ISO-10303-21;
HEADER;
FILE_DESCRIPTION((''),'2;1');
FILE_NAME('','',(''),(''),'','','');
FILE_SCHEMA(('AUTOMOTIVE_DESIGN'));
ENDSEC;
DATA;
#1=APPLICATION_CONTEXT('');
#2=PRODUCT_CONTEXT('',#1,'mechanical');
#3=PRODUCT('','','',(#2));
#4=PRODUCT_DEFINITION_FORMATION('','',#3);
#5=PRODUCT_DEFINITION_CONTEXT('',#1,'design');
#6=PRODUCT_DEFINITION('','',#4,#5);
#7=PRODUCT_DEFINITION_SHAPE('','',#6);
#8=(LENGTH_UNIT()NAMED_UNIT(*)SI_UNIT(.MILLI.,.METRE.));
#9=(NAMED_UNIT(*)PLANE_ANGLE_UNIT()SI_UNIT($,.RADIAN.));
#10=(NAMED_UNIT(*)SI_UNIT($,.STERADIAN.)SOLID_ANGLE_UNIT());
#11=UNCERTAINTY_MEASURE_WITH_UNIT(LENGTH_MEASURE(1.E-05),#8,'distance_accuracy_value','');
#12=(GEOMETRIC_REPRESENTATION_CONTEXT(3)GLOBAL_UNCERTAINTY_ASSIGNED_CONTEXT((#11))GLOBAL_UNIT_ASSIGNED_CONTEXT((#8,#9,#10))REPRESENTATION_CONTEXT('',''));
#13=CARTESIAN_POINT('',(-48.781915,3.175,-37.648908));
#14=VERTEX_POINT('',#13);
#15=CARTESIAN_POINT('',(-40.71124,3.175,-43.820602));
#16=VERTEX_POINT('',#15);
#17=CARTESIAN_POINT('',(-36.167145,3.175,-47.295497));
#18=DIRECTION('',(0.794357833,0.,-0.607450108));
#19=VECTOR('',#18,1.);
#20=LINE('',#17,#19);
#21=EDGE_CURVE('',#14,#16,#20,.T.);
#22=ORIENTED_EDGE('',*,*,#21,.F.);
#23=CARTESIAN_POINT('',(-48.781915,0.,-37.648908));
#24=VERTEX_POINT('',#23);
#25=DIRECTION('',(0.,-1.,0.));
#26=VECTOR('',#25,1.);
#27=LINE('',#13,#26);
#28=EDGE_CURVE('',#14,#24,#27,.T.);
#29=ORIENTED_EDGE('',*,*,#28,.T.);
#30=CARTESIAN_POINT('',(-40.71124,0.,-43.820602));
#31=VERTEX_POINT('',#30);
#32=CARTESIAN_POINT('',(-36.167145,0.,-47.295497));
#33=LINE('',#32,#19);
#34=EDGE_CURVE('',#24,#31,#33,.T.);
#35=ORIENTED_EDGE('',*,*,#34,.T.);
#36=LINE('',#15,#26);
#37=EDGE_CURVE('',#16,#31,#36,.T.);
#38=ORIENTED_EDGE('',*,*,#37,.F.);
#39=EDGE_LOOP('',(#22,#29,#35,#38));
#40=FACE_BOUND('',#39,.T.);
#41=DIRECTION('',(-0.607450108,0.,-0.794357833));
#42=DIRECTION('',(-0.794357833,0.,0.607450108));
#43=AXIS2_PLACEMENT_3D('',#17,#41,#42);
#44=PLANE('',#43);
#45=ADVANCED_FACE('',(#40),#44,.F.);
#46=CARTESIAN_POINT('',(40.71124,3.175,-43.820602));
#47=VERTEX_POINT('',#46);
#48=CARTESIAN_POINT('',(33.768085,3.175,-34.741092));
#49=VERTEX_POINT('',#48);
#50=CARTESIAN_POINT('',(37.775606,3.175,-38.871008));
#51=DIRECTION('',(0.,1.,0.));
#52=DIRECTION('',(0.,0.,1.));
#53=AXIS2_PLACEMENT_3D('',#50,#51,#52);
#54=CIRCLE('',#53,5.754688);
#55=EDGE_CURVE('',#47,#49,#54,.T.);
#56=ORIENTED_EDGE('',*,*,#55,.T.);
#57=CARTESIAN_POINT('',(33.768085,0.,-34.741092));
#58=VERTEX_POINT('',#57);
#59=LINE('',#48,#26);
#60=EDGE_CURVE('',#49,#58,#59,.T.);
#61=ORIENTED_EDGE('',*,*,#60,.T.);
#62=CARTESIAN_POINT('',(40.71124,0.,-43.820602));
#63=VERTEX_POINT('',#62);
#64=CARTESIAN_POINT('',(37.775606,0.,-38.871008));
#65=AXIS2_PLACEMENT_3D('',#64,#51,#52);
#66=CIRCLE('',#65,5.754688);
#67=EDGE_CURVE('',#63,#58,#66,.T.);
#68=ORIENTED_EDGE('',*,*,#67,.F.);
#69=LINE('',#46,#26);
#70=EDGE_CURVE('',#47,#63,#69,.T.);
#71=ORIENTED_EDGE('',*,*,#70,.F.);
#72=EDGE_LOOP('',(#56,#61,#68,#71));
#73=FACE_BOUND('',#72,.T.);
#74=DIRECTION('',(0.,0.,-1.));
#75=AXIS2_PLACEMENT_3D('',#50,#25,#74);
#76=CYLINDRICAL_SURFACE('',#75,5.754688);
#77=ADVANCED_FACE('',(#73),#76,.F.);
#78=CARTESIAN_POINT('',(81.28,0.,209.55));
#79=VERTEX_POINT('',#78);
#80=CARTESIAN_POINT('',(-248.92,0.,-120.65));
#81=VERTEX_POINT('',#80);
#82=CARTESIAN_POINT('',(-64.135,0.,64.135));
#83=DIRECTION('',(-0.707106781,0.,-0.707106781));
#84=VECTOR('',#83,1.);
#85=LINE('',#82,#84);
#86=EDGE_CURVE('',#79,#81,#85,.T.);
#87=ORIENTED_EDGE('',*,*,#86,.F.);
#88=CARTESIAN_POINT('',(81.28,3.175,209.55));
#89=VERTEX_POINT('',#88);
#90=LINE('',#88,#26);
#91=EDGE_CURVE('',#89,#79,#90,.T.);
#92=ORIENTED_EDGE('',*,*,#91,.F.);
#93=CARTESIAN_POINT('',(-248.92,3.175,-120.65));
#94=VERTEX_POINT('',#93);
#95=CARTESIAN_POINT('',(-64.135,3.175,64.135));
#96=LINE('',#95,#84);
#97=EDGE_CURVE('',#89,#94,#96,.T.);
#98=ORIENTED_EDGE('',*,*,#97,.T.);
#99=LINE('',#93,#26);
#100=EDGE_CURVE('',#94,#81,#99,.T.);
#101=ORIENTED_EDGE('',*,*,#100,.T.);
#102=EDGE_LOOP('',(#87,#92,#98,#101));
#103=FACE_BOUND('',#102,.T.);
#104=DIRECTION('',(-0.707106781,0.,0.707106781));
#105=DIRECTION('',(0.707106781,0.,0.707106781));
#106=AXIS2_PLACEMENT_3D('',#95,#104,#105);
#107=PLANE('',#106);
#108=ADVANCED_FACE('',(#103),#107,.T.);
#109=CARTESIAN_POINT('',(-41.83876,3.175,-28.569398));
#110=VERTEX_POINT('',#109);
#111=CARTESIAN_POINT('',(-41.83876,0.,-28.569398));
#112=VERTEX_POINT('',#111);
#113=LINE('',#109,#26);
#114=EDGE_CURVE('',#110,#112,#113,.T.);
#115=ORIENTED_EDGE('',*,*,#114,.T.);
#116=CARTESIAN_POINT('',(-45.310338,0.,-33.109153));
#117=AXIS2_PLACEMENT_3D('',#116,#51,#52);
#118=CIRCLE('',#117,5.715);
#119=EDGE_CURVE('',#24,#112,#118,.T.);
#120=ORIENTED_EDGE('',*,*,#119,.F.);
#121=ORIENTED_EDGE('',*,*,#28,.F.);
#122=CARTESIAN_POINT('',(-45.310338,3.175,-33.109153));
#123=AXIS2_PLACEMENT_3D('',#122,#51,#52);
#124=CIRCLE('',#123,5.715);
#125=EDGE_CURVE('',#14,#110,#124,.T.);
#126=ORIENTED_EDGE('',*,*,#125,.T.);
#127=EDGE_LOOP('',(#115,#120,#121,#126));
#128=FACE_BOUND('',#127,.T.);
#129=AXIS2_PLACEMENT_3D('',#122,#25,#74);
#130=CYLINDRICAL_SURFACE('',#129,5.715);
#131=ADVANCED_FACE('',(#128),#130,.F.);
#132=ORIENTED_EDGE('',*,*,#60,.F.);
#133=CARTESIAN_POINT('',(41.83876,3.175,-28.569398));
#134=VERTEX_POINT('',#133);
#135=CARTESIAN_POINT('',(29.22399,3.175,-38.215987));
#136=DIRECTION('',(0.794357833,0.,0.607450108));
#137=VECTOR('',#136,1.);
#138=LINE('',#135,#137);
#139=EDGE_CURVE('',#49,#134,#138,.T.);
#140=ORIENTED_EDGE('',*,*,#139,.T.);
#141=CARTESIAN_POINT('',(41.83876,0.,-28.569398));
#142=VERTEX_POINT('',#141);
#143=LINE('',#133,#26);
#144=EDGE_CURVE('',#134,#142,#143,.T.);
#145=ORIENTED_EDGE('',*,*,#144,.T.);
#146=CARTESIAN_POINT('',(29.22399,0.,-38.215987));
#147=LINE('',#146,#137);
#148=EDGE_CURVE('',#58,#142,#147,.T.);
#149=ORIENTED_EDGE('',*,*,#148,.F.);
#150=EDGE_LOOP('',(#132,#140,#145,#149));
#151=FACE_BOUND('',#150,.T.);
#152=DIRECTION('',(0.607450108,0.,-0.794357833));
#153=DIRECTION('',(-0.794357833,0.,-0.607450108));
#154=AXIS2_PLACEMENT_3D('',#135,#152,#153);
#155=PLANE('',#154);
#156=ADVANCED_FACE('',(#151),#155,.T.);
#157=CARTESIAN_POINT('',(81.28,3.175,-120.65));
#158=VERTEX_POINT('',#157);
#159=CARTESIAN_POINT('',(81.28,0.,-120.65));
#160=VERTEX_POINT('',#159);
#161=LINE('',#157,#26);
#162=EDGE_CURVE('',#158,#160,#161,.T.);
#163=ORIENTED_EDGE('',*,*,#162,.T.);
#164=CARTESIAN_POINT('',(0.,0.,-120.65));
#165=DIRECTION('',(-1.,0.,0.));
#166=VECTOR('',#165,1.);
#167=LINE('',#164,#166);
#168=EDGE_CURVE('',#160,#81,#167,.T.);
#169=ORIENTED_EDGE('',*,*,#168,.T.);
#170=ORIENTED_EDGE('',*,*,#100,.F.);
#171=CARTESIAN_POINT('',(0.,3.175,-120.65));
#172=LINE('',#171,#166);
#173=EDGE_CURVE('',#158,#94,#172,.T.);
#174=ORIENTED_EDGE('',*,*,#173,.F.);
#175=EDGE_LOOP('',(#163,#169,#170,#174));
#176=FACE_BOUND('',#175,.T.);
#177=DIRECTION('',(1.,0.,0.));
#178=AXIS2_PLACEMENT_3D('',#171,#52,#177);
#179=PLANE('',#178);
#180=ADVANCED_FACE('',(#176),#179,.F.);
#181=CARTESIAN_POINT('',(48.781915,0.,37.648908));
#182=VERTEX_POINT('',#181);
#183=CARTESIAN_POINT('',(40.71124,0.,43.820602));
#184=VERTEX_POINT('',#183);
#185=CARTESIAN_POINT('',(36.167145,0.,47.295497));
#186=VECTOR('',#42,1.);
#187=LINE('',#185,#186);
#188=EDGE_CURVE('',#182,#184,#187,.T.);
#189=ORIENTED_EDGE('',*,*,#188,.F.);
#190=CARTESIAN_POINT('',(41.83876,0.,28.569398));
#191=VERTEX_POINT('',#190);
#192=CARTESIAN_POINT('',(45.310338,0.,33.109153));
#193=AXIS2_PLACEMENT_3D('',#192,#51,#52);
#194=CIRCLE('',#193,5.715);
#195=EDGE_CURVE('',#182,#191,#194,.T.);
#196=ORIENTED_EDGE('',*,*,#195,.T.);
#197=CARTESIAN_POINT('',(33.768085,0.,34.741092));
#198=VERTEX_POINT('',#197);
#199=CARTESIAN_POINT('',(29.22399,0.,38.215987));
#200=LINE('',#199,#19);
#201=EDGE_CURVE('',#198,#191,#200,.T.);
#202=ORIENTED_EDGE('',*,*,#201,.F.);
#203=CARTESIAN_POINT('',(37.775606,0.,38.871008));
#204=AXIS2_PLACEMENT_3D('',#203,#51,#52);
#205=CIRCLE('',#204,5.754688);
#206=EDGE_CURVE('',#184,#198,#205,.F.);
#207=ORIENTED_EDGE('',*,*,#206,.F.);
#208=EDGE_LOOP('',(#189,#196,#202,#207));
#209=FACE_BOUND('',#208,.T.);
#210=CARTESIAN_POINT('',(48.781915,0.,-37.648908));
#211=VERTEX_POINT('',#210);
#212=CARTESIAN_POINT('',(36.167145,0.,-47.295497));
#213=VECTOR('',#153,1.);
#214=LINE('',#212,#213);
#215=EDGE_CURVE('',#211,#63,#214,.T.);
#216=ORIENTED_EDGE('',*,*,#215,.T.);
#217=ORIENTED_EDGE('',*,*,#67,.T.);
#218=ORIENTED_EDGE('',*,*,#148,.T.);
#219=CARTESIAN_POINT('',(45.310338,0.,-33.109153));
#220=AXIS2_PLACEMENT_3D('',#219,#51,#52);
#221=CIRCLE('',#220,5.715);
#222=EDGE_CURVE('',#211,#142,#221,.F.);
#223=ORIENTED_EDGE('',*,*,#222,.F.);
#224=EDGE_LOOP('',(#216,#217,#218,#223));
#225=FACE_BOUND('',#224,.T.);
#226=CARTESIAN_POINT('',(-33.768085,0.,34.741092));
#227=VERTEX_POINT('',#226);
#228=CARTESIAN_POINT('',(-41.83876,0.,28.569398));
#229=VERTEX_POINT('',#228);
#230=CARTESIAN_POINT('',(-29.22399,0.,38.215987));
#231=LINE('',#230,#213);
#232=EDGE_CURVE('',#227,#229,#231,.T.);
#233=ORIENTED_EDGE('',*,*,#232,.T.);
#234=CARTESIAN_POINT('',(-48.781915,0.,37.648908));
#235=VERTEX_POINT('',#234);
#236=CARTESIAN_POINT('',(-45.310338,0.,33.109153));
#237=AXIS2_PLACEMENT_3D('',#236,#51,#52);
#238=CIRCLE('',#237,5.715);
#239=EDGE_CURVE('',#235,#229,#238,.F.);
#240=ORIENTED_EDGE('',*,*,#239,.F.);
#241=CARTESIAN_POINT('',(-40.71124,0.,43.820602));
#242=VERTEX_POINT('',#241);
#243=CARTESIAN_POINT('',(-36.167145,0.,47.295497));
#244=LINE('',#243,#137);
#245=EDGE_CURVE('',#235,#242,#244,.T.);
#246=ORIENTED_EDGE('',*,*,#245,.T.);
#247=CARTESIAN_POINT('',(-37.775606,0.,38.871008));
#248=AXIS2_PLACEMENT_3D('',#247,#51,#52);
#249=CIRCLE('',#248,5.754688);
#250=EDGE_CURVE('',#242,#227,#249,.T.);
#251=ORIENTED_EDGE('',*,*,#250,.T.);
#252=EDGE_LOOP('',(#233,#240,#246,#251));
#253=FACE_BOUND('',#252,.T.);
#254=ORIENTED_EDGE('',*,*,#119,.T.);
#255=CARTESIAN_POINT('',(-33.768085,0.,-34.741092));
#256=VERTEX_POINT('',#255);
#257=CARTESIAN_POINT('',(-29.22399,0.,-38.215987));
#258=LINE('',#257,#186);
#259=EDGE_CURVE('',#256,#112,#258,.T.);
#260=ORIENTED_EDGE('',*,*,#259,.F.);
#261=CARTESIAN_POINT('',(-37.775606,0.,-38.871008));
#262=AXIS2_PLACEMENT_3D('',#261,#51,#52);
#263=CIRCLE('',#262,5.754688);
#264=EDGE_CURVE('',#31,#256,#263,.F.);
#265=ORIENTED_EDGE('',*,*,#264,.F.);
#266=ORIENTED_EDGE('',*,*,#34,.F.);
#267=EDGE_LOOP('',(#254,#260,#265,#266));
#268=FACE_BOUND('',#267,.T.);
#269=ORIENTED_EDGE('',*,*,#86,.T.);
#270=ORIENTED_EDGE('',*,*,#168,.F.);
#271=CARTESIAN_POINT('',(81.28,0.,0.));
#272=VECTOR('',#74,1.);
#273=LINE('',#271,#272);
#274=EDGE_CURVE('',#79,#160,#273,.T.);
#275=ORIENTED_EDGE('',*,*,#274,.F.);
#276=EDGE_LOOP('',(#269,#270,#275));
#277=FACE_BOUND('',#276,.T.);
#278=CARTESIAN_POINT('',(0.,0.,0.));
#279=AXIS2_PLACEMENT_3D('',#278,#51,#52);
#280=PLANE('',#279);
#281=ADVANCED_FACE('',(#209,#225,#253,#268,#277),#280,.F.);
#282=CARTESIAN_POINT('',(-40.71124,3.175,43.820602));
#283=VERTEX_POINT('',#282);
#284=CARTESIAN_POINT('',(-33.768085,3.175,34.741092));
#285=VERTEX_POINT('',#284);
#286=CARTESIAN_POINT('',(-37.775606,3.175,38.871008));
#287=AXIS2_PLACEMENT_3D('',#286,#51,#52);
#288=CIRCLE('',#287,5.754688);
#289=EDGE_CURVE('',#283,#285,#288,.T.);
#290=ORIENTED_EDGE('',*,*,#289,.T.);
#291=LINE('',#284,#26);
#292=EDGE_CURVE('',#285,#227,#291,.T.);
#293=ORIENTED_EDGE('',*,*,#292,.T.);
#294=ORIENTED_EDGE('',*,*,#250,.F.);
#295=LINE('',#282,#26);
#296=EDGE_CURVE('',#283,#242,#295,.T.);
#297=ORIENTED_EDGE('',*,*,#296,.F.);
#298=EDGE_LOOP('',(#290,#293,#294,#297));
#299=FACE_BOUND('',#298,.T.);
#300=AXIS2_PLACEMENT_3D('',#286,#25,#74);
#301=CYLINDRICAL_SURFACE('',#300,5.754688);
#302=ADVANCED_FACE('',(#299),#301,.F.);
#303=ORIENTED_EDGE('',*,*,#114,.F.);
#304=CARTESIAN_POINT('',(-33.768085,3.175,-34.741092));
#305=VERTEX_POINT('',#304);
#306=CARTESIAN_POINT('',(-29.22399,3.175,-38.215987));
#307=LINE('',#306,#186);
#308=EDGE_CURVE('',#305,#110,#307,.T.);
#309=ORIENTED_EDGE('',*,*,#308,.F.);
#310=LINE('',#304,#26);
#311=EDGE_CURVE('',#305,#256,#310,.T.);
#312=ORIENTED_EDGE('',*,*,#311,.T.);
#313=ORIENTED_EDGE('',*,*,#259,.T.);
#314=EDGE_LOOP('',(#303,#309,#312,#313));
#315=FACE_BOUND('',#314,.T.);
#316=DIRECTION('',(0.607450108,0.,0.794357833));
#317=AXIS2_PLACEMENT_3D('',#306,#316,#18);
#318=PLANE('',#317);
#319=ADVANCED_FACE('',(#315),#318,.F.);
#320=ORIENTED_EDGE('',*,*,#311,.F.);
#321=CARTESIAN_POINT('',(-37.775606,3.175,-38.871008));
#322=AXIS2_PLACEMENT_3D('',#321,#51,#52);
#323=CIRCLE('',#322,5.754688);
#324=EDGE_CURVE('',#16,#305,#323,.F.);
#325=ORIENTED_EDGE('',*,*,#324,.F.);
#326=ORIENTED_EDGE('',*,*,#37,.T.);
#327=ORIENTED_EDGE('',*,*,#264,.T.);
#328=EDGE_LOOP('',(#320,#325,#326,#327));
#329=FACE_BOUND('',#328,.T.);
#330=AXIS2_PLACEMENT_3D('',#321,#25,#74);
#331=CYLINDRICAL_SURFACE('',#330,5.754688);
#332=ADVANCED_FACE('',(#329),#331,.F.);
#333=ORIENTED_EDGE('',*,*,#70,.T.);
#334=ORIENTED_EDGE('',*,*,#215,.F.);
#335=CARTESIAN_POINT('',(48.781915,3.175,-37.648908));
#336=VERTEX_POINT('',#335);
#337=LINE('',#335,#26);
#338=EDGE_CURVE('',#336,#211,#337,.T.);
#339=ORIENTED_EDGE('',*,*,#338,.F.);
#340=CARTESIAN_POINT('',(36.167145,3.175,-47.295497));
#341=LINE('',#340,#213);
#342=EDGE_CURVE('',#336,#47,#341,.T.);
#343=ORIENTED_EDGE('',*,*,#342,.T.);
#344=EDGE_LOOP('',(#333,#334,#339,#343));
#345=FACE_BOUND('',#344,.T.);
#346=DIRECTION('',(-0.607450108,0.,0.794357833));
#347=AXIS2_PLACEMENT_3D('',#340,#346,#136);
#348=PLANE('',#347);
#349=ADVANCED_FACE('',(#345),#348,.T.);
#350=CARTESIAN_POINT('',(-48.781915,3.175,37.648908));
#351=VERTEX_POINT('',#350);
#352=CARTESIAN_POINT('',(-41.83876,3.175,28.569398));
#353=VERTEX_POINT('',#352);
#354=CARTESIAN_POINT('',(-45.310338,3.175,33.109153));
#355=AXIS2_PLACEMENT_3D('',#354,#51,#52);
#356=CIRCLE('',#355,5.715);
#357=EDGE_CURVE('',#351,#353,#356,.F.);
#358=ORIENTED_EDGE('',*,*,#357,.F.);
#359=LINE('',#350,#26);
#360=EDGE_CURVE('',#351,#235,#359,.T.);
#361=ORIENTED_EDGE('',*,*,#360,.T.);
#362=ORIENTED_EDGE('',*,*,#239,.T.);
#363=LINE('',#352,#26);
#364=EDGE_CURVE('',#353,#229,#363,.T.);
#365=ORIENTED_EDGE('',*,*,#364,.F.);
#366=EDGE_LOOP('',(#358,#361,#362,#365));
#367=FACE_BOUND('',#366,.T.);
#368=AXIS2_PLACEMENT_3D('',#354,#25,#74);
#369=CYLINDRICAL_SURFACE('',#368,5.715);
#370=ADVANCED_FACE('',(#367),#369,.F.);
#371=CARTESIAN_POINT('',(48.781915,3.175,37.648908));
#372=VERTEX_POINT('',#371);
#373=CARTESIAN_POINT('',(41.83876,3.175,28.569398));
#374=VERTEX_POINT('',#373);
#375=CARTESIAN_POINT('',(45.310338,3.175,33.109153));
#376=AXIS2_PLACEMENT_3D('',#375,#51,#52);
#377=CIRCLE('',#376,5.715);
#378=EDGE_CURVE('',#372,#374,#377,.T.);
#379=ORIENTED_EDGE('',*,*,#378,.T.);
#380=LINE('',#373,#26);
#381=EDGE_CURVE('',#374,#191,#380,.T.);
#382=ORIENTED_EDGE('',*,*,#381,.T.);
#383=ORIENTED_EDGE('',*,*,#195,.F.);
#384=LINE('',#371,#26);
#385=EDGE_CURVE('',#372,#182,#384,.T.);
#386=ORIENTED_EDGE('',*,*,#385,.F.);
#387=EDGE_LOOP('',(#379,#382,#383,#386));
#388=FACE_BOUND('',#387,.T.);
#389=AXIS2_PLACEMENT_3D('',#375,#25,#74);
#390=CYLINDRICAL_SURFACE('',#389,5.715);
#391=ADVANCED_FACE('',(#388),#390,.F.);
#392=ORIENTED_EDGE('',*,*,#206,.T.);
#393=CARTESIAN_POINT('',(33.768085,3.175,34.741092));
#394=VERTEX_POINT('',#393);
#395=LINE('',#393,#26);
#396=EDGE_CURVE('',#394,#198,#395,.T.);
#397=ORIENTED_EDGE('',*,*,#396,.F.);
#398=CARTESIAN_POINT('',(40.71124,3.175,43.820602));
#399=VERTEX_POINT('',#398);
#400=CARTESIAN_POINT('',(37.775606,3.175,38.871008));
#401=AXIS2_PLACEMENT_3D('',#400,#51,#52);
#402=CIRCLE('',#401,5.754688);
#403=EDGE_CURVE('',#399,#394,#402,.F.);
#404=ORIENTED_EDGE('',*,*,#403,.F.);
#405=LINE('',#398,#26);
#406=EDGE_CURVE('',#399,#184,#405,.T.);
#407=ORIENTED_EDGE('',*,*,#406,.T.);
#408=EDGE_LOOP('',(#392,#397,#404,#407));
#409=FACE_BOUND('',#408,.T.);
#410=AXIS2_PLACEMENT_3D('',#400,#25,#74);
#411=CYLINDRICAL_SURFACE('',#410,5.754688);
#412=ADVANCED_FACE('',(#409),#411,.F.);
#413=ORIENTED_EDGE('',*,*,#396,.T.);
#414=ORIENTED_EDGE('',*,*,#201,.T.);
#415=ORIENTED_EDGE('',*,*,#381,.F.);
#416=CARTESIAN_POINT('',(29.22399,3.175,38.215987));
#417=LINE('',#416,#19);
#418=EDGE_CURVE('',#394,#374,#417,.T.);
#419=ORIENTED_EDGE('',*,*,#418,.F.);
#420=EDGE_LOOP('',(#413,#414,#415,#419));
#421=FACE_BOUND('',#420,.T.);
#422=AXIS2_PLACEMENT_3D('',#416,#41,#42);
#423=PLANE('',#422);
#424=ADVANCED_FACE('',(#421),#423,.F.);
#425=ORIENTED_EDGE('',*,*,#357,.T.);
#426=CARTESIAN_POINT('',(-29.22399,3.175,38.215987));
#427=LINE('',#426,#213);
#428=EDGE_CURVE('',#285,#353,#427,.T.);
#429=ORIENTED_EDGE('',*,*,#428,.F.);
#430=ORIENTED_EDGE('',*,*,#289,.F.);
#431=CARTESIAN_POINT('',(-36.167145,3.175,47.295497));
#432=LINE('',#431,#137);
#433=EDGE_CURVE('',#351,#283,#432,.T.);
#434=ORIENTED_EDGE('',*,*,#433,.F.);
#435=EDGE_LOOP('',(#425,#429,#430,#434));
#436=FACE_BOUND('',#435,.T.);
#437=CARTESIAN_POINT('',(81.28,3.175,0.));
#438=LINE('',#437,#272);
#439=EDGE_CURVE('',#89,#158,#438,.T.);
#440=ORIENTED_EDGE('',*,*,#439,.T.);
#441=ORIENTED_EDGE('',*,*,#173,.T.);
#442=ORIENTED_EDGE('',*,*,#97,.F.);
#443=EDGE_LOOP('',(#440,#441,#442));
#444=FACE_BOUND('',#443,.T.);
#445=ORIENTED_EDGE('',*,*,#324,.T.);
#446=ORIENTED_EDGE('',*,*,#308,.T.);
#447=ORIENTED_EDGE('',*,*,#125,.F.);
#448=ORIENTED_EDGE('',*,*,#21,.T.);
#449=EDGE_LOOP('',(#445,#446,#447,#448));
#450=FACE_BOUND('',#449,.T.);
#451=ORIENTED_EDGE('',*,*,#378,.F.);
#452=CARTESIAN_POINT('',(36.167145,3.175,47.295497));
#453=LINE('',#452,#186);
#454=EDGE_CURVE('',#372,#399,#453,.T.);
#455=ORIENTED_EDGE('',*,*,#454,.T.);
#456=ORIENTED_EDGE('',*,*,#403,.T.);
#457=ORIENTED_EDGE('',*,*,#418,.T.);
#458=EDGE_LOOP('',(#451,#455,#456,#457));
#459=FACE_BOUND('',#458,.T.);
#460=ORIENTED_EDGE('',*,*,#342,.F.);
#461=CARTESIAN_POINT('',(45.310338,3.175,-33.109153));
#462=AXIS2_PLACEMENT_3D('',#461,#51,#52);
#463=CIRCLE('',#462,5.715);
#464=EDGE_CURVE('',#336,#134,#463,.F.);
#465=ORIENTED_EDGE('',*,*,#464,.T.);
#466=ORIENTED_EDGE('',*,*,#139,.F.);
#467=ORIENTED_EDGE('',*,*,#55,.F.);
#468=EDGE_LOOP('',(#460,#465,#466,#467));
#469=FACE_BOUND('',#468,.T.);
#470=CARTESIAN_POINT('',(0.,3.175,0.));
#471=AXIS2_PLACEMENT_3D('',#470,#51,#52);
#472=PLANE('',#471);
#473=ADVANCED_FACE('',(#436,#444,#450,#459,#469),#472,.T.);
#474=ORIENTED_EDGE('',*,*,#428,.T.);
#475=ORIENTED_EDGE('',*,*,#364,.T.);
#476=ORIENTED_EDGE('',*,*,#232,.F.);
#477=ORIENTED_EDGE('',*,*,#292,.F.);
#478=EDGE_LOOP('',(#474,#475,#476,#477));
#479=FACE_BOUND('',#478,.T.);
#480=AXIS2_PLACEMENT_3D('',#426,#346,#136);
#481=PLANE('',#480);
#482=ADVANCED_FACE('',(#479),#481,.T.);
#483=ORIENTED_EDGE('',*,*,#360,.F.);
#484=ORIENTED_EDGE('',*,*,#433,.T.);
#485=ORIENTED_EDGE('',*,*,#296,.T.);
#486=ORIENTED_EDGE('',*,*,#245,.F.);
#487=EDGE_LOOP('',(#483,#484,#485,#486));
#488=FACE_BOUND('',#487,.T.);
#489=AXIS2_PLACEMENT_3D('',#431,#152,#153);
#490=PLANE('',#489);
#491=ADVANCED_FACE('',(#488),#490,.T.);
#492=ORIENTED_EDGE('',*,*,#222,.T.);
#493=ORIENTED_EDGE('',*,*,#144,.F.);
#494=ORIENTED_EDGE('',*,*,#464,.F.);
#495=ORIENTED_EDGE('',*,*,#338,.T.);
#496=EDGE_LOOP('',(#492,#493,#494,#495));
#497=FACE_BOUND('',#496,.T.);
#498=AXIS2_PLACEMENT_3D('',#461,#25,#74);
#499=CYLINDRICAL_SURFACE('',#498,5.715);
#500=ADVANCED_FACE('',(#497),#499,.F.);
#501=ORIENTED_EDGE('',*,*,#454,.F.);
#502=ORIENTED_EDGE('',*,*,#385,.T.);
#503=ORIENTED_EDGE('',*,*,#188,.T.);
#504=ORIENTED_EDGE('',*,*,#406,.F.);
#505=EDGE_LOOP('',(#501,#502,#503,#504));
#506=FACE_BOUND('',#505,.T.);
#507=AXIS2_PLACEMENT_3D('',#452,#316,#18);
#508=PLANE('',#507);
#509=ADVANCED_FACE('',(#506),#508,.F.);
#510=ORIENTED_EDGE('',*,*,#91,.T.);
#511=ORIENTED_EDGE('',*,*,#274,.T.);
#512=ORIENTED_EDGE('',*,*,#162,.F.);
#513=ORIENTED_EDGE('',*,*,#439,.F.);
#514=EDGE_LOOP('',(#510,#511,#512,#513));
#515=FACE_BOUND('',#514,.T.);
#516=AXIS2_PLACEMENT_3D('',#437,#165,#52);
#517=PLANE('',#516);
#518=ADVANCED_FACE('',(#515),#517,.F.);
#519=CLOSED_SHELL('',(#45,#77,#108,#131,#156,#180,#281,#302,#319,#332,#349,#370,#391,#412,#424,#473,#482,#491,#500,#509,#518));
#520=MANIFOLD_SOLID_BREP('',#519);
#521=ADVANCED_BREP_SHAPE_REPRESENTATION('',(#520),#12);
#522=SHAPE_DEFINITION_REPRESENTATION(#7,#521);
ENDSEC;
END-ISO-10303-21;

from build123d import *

# Parameters (mm, degrees)
BOSS_EXTRUDE1_DEPTH = 3.175


with BuildPart() as part:
    # Sketch1 → Boss-Extrude1 (new body)
    with BuildSketch(Plane(origin=(0, 0, 0), x_dir=(1, 0, 0), z_dir=(0, 1, 0))):
        Polygon((81.28, -209.55), (81.28, 120.65), (-248.92, 120.65), align=None)
        with BuildLine():
            Line((-48.781915156, 37.648908469), (-40.711239573, 43.820601562))
            ThreePointArc((-40.711239573, 43.820601562), (-33.204324417, 42.366693093), (-33.768084844, 34.741091531))
            Line((-33.768084844, 34.741091531), (-41.838760427, 28.569398438))
            ThreePointArc((-41.838760427, 28.569398438), (-49.850092807, 29.637576089), (-48.781915156, 37.648908469))
        make_face(mode=Mode.SUBTRACT)
        with BuildLine():
            Line((33.768084844, 34.741091531), (41.838760427, 28.569398438))
            ThreePointArc((41.838760427, 28.569398438), (49.850092807, 29.637576089), (48.781915156, 37.648908469))
            Line((48.781915156, 37.648908469), (40.711239573, 43.820601562))
            ThreePointArc((40.711239573, 43.820601562), (33.204324417, 42.366693093), (33.768084844, 34.741091531))
        make_face(mode=Mode.SUBTRACT)
        with BuildLine():
            Line((33.768084844, -34.741091531), (41.838760427, -28.569398438))
            ThreePointArc((41.838760427, -28.569398438), (49.850092807, -29.637576089), (48.781915156, -37.648908469))
            Line((48.781915156, -37.648908469), (40.711239573, -43.820601562))
            ThreePointArc((40.711239573, -43.820601562), (33.204324417, -42.366693093), (33.768084844, -34.741091531))
        make_face(mode=Mode.SUBTRACT)
        with BuildLine():
            Line((-48.781915156, -37.648908469), (-40.711239573, -43.820601562))
            ThreePointArc((-40.711239573, -43.820601562), (-33.204324417, -42.366693093), (-33.768084844, -34.741091531))
            Line((-33.768084844, -34.741091531), (-41.838760427, -28.569398438))
            ThreePointArc((-41.838760427, -28.569398438), (-49.850092807, -29.637576089), (-48.781915156, -37.648908469))
        make_face(mode=Mode.SUBTRACT)
    extrude(amount=BOSS_EXTRUDE1_DEPTH)


solid = part.part
